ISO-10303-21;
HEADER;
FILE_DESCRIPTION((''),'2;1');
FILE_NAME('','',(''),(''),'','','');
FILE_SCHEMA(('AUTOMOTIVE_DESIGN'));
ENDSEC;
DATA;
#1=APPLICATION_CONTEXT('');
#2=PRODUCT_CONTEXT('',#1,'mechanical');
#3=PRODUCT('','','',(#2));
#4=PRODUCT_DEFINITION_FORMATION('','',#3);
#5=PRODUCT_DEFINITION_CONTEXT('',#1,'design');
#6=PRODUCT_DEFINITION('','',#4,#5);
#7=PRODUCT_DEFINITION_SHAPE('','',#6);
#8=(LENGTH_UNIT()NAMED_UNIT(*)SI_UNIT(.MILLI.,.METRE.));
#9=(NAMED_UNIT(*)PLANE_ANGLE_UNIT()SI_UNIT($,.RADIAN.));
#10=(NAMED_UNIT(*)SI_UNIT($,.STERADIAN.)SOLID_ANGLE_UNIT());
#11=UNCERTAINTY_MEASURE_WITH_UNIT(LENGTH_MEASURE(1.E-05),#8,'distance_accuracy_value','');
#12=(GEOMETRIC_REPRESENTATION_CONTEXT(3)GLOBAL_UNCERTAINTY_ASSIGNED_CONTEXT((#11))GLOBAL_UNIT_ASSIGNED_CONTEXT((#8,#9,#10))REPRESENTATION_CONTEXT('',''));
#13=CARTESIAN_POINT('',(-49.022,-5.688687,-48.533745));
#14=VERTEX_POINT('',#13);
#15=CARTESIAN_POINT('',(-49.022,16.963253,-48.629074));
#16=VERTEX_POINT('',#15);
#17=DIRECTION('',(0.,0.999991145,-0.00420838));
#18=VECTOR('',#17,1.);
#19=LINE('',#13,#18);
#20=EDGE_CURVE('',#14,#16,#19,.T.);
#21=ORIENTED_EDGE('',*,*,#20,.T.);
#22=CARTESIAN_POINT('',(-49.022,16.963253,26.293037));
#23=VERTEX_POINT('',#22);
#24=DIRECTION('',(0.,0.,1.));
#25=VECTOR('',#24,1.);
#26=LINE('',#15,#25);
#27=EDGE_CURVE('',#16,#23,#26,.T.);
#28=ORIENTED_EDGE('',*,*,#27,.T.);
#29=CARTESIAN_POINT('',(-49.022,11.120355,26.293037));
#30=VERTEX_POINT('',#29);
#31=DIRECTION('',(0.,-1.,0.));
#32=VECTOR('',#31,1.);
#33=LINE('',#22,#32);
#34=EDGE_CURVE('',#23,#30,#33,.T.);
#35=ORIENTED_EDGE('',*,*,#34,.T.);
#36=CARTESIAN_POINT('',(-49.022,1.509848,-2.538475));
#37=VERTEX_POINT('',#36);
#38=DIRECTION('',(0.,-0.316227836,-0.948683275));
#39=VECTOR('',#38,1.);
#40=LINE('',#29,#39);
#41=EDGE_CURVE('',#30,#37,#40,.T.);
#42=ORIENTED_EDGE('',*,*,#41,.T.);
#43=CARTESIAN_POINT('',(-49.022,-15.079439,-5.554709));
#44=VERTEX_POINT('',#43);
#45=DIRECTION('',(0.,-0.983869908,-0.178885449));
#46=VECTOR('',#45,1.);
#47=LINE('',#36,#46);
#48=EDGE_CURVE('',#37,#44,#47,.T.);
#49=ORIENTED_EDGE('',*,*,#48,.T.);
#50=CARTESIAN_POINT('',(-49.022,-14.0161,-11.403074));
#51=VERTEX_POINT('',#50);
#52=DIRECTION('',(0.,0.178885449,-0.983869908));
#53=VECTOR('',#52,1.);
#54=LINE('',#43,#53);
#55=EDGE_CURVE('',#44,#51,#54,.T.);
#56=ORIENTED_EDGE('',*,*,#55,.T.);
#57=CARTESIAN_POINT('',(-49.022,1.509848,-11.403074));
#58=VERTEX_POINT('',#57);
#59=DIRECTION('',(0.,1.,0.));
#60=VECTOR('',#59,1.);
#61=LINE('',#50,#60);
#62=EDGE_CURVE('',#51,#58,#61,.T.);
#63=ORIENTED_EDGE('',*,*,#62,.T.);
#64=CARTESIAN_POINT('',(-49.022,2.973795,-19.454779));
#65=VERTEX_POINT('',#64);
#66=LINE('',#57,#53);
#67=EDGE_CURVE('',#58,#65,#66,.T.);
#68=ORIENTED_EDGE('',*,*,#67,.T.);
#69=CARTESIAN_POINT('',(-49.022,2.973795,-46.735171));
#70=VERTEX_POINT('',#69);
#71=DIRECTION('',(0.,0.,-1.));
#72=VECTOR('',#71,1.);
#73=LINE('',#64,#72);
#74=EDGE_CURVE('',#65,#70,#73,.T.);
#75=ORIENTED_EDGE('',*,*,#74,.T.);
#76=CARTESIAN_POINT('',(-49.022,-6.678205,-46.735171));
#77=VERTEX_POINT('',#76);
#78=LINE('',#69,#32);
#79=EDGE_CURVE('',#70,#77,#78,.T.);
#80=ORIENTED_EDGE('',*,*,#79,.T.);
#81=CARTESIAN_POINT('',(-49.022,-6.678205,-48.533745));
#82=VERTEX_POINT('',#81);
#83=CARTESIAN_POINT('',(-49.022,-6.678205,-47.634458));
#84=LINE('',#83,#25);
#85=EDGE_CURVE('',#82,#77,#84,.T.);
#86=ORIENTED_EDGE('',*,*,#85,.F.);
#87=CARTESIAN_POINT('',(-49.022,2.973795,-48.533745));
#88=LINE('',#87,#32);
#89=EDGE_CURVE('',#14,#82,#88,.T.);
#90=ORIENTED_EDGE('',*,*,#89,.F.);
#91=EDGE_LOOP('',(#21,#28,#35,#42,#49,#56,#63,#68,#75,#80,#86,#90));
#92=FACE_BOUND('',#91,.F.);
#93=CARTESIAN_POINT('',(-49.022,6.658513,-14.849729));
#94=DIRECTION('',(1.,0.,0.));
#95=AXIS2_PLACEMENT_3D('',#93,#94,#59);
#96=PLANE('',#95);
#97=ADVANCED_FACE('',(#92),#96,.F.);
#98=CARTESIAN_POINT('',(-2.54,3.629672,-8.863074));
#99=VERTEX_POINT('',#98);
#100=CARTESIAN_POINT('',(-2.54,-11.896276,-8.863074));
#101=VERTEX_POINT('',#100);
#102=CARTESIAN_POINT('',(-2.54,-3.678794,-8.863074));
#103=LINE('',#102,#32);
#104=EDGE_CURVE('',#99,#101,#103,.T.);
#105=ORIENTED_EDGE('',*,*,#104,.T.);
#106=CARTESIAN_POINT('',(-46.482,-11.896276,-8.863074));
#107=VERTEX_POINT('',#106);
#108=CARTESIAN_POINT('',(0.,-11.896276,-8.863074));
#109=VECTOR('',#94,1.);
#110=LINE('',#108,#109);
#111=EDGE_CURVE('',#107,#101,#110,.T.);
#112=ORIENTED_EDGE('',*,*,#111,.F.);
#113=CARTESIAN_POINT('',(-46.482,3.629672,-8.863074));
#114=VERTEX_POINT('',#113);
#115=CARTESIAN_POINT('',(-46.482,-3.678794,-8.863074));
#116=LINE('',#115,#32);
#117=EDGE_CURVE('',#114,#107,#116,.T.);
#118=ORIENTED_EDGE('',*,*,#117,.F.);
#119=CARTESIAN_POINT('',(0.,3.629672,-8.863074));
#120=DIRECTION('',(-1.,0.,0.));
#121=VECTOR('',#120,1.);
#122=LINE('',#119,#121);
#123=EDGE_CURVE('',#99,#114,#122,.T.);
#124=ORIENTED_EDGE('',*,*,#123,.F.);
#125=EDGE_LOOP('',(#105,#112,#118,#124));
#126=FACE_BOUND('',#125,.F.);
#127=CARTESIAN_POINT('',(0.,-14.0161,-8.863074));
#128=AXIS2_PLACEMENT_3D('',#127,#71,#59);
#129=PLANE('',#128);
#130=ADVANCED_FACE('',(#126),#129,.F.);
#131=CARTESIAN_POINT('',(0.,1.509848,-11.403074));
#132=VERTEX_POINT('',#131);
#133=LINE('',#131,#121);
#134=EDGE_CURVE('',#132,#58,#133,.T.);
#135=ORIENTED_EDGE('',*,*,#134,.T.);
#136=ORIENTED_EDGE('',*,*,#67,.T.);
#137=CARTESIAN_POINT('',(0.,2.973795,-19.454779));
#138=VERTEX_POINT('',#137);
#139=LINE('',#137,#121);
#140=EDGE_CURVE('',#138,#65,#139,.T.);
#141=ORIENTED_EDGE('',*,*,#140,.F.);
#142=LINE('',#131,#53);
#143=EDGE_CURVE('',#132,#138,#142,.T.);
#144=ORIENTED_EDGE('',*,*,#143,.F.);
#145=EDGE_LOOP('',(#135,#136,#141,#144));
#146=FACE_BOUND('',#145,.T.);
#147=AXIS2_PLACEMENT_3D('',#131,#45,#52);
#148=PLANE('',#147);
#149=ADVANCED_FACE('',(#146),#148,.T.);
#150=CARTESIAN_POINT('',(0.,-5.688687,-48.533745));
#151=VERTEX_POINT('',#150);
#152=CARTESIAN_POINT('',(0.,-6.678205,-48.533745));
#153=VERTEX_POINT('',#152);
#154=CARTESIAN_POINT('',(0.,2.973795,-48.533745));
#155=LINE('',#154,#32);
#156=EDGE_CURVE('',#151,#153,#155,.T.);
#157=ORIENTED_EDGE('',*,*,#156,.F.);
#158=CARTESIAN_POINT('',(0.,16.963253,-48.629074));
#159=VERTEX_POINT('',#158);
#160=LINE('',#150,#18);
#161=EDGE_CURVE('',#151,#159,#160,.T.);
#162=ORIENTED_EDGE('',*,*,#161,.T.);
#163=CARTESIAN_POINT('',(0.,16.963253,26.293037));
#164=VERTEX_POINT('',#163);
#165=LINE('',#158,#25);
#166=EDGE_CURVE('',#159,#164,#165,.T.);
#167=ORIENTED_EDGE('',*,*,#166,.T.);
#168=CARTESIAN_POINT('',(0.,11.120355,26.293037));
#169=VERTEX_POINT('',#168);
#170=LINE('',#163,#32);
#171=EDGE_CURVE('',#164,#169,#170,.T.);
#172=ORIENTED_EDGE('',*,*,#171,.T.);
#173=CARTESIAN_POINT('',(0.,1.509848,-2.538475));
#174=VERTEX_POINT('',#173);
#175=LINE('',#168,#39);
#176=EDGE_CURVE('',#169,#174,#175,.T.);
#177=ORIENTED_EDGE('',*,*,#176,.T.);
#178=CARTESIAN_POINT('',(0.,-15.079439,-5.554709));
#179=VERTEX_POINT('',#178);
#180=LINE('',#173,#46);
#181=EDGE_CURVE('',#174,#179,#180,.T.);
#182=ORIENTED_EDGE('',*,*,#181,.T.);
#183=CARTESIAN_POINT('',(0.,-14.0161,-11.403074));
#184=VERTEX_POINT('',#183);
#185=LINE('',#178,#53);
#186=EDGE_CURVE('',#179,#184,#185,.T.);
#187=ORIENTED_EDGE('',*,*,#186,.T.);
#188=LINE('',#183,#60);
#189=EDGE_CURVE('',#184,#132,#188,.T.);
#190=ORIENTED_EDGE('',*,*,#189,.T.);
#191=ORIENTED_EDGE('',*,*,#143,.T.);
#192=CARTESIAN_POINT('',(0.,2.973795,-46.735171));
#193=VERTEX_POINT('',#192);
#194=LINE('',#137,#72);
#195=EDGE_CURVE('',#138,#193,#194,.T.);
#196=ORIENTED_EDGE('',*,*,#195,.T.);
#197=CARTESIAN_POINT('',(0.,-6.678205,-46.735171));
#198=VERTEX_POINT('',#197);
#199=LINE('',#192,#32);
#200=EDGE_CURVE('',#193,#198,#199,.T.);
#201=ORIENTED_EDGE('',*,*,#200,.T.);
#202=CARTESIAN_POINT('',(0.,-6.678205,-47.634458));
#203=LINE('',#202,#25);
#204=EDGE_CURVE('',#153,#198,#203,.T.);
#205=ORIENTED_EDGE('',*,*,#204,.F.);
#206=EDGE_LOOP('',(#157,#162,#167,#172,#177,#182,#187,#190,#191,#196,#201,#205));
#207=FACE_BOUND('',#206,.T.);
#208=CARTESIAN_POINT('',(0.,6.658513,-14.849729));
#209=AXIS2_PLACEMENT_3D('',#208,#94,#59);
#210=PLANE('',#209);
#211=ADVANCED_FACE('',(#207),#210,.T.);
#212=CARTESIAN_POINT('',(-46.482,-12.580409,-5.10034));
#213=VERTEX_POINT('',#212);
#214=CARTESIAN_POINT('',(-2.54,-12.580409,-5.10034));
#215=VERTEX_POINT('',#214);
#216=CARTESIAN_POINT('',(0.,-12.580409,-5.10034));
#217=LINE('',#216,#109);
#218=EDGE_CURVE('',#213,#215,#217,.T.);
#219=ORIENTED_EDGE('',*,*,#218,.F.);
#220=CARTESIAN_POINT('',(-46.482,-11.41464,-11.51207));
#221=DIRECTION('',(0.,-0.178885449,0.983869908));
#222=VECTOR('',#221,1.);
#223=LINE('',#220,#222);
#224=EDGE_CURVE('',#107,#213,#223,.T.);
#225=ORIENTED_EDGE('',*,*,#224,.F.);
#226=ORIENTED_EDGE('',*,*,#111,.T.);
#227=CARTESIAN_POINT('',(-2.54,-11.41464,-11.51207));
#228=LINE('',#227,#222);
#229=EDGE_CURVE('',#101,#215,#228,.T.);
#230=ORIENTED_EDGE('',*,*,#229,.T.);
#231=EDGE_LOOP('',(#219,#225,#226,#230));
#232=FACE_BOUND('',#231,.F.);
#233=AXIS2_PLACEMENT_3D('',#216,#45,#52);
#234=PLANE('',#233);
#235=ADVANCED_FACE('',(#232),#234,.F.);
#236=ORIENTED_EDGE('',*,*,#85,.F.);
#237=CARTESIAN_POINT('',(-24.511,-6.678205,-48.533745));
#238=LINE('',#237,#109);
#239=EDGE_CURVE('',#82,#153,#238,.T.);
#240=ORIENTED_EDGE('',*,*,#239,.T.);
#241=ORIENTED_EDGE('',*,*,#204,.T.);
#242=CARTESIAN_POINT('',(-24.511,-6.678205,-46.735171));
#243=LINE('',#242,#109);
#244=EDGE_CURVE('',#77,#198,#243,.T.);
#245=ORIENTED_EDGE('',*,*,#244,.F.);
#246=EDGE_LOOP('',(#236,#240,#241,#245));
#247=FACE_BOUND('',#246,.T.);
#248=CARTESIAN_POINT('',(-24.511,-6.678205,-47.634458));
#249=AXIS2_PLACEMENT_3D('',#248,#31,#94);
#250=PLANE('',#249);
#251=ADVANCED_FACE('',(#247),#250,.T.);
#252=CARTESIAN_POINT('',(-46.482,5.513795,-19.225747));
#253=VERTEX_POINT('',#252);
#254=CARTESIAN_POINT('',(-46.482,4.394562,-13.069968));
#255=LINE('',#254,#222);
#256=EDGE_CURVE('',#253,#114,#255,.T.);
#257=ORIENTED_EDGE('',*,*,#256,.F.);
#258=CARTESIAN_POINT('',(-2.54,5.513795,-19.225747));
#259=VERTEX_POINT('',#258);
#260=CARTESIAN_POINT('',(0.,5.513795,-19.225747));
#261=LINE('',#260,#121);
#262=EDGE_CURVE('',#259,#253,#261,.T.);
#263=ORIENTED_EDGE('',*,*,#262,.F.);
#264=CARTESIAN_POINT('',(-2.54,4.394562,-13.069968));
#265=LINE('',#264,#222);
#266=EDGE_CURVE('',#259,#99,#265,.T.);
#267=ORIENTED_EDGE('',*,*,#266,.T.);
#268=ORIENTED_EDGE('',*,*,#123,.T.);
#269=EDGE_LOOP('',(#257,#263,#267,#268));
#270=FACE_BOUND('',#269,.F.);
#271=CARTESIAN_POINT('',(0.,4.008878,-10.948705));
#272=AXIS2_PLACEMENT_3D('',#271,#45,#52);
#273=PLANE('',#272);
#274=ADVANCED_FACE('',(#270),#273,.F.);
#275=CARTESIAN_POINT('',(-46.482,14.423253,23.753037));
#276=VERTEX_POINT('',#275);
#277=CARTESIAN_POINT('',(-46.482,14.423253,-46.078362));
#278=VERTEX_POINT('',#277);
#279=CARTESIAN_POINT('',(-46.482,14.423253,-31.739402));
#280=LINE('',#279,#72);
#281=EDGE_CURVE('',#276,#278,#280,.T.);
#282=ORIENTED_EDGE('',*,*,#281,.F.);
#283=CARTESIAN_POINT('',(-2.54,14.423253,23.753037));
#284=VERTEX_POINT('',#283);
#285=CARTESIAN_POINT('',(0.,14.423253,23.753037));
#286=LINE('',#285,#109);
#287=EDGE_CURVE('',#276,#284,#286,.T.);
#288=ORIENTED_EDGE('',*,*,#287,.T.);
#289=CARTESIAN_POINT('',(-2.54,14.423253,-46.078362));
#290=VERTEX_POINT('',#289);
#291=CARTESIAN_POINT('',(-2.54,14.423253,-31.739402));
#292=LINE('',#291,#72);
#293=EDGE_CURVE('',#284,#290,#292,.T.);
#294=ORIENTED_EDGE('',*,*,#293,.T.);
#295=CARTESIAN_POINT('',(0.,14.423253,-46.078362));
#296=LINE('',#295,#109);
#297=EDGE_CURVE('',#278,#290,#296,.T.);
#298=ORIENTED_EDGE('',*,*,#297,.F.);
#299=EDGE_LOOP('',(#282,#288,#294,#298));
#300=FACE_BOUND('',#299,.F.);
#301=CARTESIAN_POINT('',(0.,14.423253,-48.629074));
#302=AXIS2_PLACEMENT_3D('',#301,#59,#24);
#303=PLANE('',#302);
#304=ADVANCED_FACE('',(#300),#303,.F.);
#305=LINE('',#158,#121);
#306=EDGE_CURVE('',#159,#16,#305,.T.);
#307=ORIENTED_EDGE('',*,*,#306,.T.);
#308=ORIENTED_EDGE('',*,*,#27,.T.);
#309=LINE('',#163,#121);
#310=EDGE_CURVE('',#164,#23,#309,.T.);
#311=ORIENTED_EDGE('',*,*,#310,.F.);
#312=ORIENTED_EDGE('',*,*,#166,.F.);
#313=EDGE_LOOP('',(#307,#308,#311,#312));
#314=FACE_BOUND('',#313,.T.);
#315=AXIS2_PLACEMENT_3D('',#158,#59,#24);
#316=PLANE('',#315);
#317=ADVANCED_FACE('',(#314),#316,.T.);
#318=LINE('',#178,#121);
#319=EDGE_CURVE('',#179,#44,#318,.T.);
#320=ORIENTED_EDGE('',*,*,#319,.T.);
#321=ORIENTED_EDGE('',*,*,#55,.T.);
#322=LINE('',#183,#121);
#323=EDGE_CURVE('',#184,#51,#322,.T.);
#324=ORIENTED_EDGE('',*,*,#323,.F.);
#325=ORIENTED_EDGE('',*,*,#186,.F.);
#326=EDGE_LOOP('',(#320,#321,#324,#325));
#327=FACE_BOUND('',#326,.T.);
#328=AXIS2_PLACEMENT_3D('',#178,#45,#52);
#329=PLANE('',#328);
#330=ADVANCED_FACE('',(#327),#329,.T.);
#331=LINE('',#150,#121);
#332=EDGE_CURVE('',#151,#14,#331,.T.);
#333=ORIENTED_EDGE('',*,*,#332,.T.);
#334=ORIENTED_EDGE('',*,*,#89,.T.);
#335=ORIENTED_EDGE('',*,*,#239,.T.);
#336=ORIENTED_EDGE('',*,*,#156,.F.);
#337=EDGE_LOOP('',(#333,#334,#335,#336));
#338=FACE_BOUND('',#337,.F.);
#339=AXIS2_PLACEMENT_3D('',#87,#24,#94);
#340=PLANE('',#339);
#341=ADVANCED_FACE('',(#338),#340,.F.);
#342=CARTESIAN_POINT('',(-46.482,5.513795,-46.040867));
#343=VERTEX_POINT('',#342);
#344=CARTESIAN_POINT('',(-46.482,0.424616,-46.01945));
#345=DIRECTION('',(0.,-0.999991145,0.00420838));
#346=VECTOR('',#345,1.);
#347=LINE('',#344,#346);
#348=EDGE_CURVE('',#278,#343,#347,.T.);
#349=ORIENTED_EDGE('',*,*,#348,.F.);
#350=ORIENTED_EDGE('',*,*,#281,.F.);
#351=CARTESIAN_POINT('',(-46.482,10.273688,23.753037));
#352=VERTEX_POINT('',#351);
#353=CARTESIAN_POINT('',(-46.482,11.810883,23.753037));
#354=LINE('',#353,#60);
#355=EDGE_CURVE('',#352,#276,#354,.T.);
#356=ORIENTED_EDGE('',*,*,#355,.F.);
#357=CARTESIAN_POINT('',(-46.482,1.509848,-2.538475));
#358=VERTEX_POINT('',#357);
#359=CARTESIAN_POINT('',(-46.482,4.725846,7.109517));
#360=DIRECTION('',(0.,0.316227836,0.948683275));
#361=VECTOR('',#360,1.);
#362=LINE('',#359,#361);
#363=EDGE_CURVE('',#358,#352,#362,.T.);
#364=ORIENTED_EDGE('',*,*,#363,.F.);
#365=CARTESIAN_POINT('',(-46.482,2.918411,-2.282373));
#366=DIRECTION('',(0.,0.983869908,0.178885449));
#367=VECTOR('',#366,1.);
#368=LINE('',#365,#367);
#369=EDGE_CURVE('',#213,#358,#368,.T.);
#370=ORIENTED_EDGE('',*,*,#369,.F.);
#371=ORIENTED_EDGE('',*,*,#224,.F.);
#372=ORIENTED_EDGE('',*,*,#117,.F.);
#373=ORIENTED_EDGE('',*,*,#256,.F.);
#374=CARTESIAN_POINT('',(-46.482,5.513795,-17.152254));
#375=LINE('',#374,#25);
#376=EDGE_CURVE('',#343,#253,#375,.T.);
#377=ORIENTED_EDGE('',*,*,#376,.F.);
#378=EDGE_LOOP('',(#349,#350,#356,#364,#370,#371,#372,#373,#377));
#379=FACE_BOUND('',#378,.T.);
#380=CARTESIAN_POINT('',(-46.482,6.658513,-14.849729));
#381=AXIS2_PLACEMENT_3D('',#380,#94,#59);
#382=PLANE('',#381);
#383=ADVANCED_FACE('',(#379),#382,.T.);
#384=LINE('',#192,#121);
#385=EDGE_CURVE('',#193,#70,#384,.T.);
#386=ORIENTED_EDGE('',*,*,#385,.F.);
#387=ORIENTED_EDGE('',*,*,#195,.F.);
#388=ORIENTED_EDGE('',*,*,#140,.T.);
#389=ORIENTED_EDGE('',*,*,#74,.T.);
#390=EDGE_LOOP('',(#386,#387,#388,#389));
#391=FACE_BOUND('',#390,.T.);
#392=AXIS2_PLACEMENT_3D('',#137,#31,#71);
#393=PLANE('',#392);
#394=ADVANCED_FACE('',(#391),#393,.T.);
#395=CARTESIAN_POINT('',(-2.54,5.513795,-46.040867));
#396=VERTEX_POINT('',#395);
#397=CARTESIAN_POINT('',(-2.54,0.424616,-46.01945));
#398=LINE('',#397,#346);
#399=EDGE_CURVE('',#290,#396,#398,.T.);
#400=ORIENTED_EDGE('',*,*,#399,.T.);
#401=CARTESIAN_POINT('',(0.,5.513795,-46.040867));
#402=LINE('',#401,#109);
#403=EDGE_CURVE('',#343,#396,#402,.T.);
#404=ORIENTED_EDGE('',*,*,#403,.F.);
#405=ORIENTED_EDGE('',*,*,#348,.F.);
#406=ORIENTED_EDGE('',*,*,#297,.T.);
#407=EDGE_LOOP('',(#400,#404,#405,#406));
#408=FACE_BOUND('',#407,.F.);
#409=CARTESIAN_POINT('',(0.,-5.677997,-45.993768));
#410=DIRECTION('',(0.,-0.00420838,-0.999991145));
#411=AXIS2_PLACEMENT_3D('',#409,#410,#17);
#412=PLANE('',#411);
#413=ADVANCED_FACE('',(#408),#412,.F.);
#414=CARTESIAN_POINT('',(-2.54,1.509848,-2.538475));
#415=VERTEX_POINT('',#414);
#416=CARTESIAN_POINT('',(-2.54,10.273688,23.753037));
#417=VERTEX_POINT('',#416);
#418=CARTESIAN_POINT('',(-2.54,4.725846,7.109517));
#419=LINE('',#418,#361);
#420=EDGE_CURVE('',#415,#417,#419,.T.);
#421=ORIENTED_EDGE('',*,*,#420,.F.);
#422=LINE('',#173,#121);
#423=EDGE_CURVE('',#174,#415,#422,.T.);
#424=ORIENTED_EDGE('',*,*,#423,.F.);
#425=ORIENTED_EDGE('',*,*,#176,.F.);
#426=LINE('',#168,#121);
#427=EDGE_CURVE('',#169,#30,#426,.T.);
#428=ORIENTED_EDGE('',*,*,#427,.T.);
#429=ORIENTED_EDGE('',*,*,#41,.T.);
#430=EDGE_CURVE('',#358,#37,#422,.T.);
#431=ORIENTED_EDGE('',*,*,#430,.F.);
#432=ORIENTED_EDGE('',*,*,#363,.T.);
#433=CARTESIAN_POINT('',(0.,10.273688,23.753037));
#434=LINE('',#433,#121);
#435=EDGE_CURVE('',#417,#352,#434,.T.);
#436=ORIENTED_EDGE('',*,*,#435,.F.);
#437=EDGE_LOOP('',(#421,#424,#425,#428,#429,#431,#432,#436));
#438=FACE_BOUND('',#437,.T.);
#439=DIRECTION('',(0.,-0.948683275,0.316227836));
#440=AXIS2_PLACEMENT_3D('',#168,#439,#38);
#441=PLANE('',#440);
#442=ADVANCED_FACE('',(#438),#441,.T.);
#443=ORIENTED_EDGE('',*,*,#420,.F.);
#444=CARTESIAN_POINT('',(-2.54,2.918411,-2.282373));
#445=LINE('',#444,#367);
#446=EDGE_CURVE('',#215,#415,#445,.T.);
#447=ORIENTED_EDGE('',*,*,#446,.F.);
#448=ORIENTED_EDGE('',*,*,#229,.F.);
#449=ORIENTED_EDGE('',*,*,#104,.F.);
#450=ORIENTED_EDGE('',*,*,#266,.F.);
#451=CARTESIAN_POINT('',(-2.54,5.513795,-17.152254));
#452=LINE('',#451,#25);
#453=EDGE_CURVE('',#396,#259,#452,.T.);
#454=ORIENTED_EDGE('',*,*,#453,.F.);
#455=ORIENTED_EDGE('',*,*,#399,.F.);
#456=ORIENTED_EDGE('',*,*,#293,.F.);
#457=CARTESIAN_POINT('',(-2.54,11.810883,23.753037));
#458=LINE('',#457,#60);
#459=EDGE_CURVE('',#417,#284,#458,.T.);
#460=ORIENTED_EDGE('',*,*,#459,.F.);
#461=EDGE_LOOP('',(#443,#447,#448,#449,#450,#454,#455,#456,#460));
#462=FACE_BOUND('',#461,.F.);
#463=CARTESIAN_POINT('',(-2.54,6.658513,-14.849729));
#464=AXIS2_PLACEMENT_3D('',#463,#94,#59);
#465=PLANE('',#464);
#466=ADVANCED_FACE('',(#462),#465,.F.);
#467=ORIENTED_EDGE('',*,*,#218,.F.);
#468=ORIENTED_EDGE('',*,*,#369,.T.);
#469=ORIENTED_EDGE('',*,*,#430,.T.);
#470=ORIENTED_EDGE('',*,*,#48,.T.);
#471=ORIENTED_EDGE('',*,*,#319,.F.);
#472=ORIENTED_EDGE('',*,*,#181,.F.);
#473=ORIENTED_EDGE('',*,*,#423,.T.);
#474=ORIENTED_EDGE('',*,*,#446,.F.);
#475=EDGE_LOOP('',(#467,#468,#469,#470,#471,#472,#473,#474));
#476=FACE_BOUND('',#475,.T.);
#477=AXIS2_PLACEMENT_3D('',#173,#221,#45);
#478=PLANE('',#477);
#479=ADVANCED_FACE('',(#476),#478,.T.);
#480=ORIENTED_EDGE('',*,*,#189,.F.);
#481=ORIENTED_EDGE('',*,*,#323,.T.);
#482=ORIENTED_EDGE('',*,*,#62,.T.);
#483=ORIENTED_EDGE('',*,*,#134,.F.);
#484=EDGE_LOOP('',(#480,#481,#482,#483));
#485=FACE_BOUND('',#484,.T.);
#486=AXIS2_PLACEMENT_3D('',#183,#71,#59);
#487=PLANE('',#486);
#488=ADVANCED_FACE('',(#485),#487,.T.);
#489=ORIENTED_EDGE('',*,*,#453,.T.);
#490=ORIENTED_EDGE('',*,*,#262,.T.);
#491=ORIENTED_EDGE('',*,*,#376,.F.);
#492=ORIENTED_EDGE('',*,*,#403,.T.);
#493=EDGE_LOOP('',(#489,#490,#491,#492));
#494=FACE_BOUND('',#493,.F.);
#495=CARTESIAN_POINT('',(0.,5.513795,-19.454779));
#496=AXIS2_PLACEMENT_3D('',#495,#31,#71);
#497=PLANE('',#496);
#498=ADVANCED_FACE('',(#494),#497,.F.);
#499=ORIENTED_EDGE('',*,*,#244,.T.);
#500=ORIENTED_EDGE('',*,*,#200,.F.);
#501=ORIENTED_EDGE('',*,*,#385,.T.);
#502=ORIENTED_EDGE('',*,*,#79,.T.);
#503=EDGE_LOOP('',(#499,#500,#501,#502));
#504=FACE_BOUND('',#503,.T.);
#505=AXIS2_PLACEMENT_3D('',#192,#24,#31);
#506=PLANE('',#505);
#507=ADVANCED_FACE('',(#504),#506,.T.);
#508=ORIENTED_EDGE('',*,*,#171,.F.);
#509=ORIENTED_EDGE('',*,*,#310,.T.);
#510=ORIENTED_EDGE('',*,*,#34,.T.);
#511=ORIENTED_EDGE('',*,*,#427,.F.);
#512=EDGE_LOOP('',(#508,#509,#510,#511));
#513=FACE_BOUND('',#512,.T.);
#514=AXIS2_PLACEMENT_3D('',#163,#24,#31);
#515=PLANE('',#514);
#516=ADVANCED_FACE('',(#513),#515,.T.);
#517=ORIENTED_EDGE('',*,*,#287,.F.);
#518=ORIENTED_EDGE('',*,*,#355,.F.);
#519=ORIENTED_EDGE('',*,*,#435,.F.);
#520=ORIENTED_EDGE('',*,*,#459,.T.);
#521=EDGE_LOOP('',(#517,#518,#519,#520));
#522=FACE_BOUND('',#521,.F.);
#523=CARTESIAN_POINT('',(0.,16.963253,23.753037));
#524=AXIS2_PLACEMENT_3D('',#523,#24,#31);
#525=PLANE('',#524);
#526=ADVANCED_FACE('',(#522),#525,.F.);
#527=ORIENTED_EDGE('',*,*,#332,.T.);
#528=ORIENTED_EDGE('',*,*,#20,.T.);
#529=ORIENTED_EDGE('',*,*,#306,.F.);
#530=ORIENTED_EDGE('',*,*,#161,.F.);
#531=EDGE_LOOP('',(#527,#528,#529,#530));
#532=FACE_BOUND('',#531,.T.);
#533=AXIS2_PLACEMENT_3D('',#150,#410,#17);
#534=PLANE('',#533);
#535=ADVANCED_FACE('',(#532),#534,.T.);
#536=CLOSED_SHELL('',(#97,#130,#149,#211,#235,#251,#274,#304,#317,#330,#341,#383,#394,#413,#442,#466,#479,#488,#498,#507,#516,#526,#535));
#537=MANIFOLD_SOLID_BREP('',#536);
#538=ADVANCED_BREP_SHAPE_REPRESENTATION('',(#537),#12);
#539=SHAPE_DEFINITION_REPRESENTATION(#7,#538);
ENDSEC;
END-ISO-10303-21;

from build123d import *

# Parameters (mm, degrees)
F1_DEPTH = 49.022
F2_T     = -2.54
F4_W     = 49.022
F4_H     = 1.7985738814
F5_DEPTH = 9.652


with BuildPart() as f1:
    # F0 (on Right) → F1 (new body)
    with BuildSketch(Plane.YZ):
        Polygon((1.5098481488, -2.5384752646), (-15.0794390421, -5.5547094899), (-14.0161000537, -11.4030735567), (1.5098481488, -11.4030735567), (2.9737947043, -19.4547791034), (2.9737947043, -46.7351712286), (-5.6977379136, -46.7351712286), (-5.6886866642, -48.53374511), (16.9632527977, -48.6290739331), (16.9632527977, 26.2930374593), (11.1203547567, 26.2930374593), align=None)
    extrude(amount=-F1_DEPTH)

    # F2
    f2_openings = [f1.faces().sort_by_distance(p)[0] for p in [
        (-24.511, 6.315101, 11.877281),
        (-24.511, -6.784795, -4.046592),
    ]]
    offset(amount=F2_T, openings=f2_openings, kind=Kind.INTERSECTION)

    # F4 (on face) → F5 (join)
    with BuildSketch(Plane.XZ.offset(-2.9737947043)):
        with Locations((-24.511, -47.6344581693)):
            Rectangle(F4_W, F4_H)
    extrude(amount=F5_DEPTH)


with BuildPart() as f8_1:
    # F8: copy of F1
    add(f1.part)


solid = f1.part
